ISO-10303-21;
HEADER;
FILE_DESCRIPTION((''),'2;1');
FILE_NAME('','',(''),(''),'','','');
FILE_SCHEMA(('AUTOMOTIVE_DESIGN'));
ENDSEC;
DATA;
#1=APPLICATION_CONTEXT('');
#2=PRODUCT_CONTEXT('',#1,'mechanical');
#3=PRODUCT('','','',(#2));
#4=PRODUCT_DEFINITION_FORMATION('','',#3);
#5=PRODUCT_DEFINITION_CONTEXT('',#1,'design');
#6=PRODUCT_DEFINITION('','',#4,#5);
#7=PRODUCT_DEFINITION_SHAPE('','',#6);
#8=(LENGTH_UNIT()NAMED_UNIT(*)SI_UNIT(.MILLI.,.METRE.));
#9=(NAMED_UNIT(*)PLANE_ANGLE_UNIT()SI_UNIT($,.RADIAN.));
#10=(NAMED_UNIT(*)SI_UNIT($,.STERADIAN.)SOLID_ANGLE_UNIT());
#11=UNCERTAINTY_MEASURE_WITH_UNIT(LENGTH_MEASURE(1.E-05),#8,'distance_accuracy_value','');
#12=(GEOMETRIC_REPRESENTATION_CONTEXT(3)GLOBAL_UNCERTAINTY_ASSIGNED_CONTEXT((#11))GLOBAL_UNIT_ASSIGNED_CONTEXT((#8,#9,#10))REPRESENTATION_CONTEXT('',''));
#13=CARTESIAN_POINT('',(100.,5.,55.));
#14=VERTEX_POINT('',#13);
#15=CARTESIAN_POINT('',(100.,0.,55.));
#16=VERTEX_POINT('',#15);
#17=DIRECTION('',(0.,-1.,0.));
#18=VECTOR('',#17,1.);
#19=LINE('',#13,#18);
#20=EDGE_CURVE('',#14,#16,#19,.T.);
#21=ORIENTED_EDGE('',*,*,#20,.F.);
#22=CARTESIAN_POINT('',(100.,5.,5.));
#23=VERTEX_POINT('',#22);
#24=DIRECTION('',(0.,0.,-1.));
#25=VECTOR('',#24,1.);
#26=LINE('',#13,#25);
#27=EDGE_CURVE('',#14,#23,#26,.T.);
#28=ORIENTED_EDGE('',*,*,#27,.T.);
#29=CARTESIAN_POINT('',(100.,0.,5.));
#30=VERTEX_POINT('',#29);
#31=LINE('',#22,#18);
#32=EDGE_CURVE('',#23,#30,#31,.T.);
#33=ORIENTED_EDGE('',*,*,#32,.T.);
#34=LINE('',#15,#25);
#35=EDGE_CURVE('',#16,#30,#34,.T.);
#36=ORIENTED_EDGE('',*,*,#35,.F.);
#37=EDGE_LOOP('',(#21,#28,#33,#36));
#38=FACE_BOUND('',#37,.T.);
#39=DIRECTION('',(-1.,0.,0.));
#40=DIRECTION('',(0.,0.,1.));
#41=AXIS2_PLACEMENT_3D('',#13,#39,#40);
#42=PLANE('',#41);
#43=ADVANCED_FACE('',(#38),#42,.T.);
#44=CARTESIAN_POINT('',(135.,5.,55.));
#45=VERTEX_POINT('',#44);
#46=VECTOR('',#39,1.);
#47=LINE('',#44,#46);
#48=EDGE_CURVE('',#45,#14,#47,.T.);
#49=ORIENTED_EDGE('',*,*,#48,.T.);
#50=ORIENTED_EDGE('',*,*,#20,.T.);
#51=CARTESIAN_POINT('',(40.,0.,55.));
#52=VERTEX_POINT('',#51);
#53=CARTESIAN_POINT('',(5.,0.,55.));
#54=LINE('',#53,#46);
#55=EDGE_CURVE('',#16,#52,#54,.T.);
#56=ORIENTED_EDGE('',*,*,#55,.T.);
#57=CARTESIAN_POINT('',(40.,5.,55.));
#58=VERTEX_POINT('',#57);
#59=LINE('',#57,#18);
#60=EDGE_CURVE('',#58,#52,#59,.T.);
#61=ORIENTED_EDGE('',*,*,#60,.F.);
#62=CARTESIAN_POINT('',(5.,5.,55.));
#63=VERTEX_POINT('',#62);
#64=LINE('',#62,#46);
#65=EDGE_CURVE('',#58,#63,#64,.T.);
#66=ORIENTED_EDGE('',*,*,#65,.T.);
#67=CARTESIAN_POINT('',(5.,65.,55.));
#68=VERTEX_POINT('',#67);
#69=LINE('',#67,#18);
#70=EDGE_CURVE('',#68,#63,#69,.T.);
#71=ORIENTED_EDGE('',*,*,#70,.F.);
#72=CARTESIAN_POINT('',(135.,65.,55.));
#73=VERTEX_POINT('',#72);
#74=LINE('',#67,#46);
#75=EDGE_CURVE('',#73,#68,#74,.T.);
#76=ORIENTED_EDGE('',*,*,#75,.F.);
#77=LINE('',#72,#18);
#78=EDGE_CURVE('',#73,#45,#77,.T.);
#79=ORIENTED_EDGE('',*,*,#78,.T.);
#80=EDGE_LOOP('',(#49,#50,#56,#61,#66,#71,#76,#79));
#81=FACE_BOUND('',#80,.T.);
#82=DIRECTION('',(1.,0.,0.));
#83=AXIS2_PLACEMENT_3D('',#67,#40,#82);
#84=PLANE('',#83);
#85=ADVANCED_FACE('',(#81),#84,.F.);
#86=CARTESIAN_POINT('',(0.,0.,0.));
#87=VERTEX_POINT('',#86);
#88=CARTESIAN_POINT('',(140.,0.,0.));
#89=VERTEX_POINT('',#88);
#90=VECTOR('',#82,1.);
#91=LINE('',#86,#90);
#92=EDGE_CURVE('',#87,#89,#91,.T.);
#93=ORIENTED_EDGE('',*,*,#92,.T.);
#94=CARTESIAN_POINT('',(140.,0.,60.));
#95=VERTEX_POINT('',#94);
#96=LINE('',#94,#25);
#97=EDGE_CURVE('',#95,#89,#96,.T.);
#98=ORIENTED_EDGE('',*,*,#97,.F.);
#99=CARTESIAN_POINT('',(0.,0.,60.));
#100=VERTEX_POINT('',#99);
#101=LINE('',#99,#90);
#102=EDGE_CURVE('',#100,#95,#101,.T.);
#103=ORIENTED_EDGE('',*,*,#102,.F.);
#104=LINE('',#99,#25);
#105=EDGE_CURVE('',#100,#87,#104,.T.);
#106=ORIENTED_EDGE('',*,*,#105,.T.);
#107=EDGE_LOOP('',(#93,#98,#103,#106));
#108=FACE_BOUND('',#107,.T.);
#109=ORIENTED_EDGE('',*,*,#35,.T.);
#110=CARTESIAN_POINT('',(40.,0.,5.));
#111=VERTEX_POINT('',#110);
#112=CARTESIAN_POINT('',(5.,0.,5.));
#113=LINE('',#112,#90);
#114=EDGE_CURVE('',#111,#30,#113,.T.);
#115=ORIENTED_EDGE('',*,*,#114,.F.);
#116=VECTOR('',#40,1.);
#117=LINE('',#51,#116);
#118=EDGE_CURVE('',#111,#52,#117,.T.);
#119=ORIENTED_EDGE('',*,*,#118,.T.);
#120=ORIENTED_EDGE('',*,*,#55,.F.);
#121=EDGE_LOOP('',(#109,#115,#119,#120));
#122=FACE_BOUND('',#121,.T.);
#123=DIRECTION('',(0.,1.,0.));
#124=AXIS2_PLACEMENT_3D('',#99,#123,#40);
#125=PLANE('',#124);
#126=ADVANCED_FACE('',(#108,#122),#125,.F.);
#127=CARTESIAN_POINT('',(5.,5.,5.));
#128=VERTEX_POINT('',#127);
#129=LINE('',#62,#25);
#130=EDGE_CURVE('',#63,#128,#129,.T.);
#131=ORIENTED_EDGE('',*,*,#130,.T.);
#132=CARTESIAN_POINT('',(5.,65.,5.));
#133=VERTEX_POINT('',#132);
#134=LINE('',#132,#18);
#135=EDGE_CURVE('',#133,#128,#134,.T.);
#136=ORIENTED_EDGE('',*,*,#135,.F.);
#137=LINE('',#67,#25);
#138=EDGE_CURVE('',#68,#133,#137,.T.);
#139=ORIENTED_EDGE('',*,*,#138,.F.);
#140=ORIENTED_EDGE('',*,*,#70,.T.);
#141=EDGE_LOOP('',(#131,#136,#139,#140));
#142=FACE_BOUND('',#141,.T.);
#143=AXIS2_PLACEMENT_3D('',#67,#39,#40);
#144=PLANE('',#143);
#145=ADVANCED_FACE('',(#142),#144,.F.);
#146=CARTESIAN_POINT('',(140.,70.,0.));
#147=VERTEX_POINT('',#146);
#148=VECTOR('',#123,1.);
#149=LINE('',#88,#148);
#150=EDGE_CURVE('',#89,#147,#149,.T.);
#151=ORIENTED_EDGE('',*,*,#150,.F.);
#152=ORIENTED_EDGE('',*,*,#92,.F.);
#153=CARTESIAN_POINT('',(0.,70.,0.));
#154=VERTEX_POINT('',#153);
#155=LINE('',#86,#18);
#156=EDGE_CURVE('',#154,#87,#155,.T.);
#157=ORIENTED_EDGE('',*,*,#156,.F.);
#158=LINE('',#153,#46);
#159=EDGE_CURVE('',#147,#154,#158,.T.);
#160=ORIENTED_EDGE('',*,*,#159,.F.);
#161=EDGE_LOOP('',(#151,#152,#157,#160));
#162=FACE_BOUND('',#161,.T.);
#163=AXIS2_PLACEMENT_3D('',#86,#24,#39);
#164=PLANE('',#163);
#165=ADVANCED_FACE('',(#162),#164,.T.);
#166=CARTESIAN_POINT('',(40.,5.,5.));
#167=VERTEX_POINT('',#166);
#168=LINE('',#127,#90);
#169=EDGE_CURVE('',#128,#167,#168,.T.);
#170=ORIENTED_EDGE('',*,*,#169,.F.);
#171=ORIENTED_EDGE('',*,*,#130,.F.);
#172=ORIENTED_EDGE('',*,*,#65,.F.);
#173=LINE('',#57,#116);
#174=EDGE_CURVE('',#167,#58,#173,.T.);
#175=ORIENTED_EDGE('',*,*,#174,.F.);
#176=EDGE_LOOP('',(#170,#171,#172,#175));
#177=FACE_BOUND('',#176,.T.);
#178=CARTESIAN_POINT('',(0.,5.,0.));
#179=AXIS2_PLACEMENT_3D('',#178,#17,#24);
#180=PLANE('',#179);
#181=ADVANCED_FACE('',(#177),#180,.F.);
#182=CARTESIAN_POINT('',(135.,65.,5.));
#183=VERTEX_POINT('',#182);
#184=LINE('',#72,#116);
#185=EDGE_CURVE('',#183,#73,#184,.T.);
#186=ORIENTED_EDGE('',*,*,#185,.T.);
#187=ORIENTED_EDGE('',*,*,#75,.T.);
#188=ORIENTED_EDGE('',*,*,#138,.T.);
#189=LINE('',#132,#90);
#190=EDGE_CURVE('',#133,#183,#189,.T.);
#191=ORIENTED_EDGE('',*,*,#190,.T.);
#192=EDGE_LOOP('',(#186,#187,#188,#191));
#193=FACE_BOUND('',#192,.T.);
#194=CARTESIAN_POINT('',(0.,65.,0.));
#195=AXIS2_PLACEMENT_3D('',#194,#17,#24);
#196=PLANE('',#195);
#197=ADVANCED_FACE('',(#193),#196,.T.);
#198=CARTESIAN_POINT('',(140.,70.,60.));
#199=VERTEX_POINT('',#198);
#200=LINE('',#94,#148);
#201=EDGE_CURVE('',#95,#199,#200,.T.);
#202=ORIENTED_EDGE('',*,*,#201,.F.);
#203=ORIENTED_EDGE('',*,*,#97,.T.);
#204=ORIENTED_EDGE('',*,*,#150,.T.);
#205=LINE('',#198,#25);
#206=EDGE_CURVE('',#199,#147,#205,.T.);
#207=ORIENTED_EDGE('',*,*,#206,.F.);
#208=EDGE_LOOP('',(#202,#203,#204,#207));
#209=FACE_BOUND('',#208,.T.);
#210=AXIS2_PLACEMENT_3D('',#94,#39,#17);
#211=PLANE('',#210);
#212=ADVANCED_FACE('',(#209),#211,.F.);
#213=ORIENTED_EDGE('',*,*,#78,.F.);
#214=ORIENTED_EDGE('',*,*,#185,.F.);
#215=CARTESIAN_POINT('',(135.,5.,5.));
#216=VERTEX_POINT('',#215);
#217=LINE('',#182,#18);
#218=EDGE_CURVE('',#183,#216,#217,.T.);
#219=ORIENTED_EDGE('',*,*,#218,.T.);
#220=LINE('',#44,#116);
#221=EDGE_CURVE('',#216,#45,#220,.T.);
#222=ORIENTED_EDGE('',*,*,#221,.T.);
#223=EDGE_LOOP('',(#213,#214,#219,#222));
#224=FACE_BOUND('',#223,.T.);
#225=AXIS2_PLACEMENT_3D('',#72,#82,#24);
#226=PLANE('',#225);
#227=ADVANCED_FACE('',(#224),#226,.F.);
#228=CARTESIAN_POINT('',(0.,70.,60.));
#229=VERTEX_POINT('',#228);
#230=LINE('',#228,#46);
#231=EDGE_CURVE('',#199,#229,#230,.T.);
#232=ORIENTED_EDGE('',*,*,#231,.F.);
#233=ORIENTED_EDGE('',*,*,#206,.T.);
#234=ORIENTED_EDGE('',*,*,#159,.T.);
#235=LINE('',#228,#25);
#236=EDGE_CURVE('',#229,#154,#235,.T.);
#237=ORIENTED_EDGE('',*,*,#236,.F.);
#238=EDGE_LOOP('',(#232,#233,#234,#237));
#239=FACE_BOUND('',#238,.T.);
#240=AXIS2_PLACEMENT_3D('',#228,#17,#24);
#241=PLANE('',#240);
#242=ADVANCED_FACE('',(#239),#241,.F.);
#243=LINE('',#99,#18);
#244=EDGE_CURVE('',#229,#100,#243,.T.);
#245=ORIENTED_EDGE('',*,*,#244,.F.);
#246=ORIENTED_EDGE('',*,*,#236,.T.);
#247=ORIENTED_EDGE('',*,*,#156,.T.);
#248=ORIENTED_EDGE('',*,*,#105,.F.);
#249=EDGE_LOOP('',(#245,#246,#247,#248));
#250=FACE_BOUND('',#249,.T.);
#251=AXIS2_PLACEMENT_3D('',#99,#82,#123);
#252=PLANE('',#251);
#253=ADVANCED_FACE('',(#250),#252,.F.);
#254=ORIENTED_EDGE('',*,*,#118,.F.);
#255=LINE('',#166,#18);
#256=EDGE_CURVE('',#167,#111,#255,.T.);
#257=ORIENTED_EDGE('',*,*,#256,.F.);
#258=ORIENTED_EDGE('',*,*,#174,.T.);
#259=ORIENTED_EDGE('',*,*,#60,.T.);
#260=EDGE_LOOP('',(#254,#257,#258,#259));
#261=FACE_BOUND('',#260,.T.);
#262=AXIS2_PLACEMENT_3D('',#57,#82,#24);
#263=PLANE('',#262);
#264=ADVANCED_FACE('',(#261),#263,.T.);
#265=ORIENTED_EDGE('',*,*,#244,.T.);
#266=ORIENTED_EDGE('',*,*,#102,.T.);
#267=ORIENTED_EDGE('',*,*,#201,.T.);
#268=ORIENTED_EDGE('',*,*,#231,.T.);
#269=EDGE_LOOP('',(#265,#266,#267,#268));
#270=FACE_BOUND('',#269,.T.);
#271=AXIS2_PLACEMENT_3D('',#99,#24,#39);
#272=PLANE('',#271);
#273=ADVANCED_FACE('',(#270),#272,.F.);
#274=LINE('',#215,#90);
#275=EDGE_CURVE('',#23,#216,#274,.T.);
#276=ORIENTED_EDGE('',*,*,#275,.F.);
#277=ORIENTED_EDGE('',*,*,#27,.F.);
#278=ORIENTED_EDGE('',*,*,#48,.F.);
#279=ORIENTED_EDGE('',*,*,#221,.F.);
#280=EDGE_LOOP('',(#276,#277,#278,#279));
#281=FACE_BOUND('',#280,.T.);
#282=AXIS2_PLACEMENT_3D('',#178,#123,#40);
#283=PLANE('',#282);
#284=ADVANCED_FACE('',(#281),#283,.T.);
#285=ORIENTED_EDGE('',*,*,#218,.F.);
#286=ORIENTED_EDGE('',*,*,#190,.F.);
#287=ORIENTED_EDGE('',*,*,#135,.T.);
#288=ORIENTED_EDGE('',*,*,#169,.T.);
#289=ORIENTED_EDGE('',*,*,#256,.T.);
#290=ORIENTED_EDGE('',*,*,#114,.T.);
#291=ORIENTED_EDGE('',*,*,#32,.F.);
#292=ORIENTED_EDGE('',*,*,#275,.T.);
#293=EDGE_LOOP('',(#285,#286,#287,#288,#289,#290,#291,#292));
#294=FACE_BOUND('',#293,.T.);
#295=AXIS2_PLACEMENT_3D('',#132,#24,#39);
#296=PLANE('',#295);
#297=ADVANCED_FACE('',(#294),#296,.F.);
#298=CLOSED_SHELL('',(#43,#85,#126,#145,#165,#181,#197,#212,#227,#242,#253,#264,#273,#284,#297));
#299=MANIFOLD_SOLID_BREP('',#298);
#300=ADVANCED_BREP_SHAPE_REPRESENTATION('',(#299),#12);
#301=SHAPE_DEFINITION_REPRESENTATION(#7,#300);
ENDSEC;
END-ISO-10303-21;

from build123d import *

# Parameters (mm, degrees)
IZIM1_W                     = 140
IZIM1_H                     = 70
Y_KSEKLIK_EKSTR_ZYON1_DEPTH = 60
IZIM10_W                    = 130
IZIM10_H                    = 50
KES_EKSTR_ZYON6_DEPTH       = 65
IZIM12_W                    = 35
IZIM12_H                    = 50
Y_KSEKLIK_EKSTR_ZYON3_DEPTH = 5


with BuildPart() as part:
    # Çizim1 → Yükseklik-Ekstrüzyon1 (new body)
    with BuildSketch(Plane.XY):
        with Locations((70, 35)):
            Rectangle(IZIM1_W, IZIM1_H)
    extrude(amount=Y_KSEKLIK_EKSTR_ZYON1_DEPTH)

    # Çizim10 → Kes-Ekstrüzyon6 (cut)
    with BuildSketch(Plane.XZ):
        with Locations((70, 30)):
            Rectangle(IZIM10_W, IZIM10_H)
    extrude(amount=-KES_EKSTR_ZYON6_DEPTH, mode=Mode.SUBTRACT)

    # Çizim12 → Yükseklik-Ekstrüzyon3 (add)
    with BuildSketch(Plane.XZ):
        with Locations((22.5, 30)):
            Rectangle(IZIM12_W, IZIM12_H)
        with Locations((117.5, 30)):
            Rectangle(IZIM12_W, IZIM12_H)
    extrude(amount=-Y_KSEKLIK_EKSTR_ZYON3_DEPTH)


solid = part.part
